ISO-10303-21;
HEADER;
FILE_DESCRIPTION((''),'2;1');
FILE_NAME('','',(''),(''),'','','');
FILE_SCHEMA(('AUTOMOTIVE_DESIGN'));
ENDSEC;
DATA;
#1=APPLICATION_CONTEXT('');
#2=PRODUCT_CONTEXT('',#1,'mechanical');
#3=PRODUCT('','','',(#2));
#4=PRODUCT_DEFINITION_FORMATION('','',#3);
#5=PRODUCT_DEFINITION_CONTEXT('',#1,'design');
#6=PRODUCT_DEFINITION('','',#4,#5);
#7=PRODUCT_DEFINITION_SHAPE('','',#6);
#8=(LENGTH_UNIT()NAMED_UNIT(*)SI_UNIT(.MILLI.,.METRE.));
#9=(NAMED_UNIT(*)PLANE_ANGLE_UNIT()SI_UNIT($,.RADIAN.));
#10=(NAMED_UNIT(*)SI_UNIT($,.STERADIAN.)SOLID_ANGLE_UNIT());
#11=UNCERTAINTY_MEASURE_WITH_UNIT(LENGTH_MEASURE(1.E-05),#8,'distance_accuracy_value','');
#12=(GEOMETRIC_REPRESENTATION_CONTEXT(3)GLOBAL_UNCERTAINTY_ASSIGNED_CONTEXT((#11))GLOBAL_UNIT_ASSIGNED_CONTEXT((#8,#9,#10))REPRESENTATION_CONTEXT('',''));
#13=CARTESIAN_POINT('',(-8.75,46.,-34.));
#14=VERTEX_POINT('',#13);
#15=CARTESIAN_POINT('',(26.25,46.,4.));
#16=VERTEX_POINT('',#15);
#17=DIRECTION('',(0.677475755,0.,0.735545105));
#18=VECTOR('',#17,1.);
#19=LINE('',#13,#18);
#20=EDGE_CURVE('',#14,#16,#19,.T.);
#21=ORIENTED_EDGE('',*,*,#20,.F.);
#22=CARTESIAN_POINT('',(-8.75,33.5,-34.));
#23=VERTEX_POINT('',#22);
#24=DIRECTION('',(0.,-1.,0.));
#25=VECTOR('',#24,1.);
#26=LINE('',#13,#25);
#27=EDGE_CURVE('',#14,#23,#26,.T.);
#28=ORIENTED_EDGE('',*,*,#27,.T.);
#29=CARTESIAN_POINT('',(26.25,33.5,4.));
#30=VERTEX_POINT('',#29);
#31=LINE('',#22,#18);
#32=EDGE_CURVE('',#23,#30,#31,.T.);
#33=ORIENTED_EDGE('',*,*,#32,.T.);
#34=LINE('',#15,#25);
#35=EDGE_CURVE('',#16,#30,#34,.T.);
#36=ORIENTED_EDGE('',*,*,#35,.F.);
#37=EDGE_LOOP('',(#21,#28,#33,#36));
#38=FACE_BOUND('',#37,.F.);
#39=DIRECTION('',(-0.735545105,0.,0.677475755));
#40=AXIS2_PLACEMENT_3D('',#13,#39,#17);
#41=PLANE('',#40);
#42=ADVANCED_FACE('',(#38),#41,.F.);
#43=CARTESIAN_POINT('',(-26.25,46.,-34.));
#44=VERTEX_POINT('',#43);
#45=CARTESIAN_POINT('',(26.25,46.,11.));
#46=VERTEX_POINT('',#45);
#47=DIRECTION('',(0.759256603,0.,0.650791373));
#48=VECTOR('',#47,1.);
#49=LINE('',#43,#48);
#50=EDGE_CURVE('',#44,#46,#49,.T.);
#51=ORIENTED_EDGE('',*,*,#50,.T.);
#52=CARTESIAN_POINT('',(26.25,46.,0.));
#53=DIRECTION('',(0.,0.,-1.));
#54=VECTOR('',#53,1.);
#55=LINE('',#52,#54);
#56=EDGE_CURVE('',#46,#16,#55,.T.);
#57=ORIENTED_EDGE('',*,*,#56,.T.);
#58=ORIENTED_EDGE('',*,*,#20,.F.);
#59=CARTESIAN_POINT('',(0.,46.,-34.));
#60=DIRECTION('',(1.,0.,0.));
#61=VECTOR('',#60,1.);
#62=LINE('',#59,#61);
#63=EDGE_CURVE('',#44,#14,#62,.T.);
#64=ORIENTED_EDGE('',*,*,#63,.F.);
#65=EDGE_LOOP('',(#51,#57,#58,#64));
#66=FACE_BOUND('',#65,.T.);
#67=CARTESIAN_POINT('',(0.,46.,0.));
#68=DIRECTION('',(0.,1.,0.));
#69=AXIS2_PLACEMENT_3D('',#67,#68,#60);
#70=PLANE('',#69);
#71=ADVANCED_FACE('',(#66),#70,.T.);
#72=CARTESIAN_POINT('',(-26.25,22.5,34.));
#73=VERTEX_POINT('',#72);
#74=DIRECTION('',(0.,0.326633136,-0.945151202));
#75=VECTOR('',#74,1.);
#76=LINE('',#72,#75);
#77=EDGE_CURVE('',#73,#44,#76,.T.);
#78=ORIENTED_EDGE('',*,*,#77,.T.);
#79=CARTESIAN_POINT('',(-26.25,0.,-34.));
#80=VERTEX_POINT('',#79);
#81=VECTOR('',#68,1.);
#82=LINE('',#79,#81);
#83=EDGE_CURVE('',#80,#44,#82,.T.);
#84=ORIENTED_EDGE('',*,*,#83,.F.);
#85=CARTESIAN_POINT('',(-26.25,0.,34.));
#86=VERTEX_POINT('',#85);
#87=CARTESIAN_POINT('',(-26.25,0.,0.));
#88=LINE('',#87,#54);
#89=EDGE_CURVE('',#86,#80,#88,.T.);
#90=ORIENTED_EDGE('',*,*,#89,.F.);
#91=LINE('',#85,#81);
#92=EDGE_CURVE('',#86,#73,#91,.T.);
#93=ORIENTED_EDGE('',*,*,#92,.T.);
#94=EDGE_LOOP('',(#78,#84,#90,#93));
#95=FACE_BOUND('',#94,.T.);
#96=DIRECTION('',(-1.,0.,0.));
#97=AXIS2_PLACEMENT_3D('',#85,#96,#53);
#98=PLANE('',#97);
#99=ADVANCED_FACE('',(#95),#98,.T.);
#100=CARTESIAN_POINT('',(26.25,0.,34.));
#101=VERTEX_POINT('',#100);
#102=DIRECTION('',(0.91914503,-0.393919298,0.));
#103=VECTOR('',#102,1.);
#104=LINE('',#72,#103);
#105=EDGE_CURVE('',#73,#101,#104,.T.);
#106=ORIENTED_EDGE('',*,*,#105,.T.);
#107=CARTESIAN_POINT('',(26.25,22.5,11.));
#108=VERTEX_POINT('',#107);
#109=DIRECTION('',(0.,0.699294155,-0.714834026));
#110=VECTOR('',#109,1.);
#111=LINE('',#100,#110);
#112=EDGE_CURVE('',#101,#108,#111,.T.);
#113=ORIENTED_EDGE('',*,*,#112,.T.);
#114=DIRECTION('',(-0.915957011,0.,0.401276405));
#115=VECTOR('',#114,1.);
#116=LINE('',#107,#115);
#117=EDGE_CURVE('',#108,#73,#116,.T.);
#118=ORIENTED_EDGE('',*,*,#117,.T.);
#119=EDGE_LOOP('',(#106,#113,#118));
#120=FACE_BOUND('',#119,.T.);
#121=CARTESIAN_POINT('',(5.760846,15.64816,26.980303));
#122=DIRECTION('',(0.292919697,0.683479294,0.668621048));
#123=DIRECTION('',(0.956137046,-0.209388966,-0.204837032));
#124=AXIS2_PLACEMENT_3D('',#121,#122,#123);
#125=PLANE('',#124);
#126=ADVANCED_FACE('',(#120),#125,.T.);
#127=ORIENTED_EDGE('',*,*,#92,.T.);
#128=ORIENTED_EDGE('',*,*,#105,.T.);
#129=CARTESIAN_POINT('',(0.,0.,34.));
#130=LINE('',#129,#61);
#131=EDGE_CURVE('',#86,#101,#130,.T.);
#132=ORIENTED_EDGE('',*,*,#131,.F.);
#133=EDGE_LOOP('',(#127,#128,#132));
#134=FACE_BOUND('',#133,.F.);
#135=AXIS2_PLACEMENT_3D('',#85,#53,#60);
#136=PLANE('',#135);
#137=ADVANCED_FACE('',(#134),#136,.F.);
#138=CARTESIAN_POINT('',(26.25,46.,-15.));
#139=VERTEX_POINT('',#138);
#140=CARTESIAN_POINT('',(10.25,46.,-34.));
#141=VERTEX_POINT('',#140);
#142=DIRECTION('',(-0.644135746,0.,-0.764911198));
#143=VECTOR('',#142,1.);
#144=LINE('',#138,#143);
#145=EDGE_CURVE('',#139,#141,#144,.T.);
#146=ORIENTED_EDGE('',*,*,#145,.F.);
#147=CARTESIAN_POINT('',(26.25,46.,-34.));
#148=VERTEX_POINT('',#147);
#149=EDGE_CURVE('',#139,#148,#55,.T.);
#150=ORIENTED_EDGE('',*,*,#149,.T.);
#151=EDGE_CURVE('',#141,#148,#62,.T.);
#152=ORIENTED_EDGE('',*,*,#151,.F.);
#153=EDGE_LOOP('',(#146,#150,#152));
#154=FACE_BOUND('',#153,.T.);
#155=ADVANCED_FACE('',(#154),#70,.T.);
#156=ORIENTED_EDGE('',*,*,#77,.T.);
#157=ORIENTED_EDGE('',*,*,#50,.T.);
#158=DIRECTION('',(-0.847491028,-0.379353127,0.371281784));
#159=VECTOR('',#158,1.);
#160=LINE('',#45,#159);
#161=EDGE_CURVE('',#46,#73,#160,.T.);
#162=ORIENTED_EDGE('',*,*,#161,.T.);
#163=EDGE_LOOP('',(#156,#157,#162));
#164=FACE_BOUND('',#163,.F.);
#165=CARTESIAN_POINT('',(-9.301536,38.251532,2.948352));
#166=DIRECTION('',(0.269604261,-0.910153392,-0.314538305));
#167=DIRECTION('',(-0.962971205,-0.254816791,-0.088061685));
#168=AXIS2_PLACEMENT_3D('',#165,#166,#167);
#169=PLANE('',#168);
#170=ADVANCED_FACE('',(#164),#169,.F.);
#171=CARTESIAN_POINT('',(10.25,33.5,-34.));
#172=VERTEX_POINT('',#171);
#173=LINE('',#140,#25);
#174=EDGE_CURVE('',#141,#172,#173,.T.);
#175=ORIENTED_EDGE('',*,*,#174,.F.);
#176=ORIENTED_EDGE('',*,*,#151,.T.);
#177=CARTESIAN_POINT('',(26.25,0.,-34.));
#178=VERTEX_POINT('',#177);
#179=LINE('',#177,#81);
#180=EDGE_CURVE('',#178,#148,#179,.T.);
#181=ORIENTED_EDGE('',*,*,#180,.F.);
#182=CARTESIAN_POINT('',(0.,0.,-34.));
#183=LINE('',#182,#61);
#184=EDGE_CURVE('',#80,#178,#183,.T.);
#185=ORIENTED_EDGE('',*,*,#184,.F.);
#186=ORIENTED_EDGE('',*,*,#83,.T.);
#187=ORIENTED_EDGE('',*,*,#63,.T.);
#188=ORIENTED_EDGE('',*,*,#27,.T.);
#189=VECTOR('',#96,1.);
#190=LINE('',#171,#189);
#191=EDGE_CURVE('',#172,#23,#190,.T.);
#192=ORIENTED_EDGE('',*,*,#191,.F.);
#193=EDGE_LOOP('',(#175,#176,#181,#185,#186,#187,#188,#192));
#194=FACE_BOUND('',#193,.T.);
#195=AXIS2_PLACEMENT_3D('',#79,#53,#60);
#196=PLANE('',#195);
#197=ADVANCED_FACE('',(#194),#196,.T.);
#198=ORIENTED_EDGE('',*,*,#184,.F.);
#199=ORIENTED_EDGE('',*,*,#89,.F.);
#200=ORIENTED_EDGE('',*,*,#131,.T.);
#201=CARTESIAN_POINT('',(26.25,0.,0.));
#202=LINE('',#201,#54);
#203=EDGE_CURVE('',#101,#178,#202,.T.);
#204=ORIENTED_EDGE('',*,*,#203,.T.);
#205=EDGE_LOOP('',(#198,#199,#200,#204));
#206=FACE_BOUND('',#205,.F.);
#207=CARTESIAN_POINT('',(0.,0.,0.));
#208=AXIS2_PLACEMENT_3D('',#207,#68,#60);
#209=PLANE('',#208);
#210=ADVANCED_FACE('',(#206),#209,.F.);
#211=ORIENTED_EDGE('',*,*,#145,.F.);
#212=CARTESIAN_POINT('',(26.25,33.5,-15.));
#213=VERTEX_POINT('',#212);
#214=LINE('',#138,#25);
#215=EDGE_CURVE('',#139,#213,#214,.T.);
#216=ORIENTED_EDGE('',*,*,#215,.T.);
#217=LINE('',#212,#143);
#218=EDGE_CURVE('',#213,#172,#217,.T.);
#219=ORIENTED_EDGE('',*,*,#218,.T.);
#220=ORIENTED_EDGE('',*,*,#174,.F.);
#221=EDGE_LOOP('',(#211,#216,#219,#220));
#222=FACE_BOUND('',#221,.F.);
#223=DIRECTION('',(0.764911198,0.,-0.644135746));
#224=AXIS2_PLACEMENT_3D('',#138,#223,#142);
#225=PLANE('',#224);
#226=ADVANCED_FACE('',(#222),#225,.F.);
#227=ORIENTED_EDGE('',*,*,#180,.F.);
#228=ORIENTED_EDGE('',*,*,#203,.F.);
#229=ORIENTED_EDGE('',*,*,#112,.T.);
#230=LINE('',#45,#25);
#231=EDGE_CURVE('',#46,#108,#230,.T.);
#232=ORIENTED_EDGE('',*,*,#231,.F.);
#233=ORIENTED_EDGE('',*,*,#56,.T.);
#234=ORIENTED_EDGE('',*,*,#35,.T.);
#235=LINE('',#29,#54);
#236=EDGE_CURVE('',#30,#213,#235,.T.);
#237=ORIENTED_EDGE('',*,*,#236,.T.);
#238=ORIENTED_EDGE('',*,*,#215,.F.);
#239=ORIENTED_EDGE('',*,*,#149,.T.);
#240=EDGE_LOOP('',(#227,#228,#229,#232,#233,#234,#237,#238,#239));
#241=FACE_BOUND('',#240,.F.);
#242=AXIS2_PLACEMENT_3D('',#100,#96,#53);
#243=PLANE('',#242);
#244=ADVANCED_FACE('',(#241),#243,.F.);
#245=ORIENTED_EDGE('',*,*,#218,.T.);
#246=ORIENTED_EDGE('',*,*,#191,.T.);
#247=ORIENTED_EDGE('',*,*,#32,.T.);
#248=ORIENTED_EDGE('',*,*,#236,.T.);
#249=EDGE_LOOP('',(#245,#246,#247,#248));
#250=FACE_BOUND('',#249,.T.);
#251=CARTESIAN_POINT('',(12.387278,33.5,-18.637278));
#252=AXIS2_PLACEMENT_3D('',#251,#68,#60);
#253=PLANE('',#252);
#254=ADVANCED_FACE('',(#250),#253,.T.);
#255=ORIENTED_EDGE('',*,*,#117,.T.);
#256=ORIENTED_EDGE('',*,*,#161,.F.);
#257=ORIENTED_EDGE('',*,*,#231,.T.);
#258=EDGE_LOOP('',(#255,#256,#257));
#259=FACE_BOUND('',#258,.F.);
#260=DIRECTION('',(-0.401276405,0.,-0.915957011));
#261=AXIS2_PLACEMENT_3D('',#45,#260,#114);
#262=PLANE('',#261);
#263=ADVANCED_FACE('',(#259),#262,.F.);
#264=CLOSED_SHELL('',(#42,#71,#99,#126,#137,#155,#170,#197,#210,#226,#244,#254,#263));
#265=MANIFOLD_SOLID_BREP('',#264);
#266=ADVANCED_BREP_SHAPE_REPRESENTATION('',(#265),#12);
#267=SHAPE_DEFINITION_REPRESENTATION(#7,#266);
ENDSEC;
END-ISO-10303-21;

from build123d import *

# Parameters (mm, degrees)
SKETCH1_W           = 52.5
SKETCH1_H           = 68
BOSS_EXTRUDE1_DEPTH = 46
CUT_EXTRUDE1_DEPTH  = 12.5
CUT_EXTRUDE2_DEPTH  = 23.5
CUT_EXTRUDE3_REACH  = 71.46
CUT_EXTRUDE4_REACH  = 70.32


with BuildPart() as part:
    # Sketch1 → Boss-Extrude1 (new body)
    with BuildSketch(Plane(origin=(0, 0, 0), x_dir=(1, 0, 0), z_dir=(0, 1, 0))):
        Rectangle(SKETCH1_W, SKETCH1_H)
    extrude(amount=BOSS_EXTRUDE1_DEPTH)

    # Sketch2 → Cut-Extrude1 (cut)
    with BuildSketch(Plane(origin=(0, 46, 0), x_dir=(1, 0, 0), z_dir=(0, 1, 0))):
        Polygon((26.25, 15), (10.25, 34), (-8.75, 34), (26.25, -4), align=None)
    extrude(amount=-CUT_EXTRUDE1_DEPTH, mode=Mode.SUBTRACT)

    # Sketch2<3> → Cut-Extrude2 (cut)
    with BuildSketch(Plane(origin=(0, 46, 0), x_dir=(1, 0, 0), z_dir=(0, 1, 0))):
        Polygon((26.25, -34), (26.25, -11), (-26.25, -34), align=None)
    extrude(amount=-CUT_EXTRUDE2_DEPTH, mode=Mode.SUBTRACT)

    # Sketch3 → Cut-Extrude3 (cut, up to next)
    with BuildSketch(Plane(origin=(8.911278514, 20.792983199, 20.340961825), x_dir=(0.9561370461072578, -0.2093889663879971, -0.2048370323360841), z_dir=(0.29291969729140394, 0.6834792936799428, 0.6686210481651613)), mode=Mode.PRIVATE) as cut_extrude3_sk1:
        Polygon((18.134138361, 7.870944216), (-36.774308303, -8.570238372), (18.134138361, -24.30435687), align=None)
    cut_extrude3_tool1 = extrude(cut_extrude3_sk1.sketch, amount=CUT_EXTRUDE3_REACH, mode=Mode.PRIVATE) & part.part
    add(cut_extrude3_tool1.solids().sort_by_distance((8.75, 15, 26.333333))[0], mode=Mode.SUBTRACT)

    # Sketch4 → Cut-Extrude4 (cut, up to next)
    with BuildSketch(Plane(origin=(-10.312326736, 34.813244868, 12.031047859), x_dir=(-0.962971205375164, -0.2548167914482237, -0.08806168527990085), z_dir=(0.2696042611278684, -0.9101533921763496, -0.31453830464917976)), mode=Mode.PRIVATE) as cut_extrude4_sk1:
        Polygon((16.550519034, 47.160265119), (-37.968245086, 4.628461033), (16.550519034, -24.785895306), align=None)
    cut_extrude4_tool1 = extrude(cut_extrude4_sk1.sketch, amount=-CUT_EXTRUDE4_REACH, mode=Mode.PRIVATE) & part.part
    add(cut_extrude4_tool1.solids().sort_by_distance((-8.75, 38.166667, 3.666667))[0], mode=Mode.SUBTRACT)


solid = part.part
